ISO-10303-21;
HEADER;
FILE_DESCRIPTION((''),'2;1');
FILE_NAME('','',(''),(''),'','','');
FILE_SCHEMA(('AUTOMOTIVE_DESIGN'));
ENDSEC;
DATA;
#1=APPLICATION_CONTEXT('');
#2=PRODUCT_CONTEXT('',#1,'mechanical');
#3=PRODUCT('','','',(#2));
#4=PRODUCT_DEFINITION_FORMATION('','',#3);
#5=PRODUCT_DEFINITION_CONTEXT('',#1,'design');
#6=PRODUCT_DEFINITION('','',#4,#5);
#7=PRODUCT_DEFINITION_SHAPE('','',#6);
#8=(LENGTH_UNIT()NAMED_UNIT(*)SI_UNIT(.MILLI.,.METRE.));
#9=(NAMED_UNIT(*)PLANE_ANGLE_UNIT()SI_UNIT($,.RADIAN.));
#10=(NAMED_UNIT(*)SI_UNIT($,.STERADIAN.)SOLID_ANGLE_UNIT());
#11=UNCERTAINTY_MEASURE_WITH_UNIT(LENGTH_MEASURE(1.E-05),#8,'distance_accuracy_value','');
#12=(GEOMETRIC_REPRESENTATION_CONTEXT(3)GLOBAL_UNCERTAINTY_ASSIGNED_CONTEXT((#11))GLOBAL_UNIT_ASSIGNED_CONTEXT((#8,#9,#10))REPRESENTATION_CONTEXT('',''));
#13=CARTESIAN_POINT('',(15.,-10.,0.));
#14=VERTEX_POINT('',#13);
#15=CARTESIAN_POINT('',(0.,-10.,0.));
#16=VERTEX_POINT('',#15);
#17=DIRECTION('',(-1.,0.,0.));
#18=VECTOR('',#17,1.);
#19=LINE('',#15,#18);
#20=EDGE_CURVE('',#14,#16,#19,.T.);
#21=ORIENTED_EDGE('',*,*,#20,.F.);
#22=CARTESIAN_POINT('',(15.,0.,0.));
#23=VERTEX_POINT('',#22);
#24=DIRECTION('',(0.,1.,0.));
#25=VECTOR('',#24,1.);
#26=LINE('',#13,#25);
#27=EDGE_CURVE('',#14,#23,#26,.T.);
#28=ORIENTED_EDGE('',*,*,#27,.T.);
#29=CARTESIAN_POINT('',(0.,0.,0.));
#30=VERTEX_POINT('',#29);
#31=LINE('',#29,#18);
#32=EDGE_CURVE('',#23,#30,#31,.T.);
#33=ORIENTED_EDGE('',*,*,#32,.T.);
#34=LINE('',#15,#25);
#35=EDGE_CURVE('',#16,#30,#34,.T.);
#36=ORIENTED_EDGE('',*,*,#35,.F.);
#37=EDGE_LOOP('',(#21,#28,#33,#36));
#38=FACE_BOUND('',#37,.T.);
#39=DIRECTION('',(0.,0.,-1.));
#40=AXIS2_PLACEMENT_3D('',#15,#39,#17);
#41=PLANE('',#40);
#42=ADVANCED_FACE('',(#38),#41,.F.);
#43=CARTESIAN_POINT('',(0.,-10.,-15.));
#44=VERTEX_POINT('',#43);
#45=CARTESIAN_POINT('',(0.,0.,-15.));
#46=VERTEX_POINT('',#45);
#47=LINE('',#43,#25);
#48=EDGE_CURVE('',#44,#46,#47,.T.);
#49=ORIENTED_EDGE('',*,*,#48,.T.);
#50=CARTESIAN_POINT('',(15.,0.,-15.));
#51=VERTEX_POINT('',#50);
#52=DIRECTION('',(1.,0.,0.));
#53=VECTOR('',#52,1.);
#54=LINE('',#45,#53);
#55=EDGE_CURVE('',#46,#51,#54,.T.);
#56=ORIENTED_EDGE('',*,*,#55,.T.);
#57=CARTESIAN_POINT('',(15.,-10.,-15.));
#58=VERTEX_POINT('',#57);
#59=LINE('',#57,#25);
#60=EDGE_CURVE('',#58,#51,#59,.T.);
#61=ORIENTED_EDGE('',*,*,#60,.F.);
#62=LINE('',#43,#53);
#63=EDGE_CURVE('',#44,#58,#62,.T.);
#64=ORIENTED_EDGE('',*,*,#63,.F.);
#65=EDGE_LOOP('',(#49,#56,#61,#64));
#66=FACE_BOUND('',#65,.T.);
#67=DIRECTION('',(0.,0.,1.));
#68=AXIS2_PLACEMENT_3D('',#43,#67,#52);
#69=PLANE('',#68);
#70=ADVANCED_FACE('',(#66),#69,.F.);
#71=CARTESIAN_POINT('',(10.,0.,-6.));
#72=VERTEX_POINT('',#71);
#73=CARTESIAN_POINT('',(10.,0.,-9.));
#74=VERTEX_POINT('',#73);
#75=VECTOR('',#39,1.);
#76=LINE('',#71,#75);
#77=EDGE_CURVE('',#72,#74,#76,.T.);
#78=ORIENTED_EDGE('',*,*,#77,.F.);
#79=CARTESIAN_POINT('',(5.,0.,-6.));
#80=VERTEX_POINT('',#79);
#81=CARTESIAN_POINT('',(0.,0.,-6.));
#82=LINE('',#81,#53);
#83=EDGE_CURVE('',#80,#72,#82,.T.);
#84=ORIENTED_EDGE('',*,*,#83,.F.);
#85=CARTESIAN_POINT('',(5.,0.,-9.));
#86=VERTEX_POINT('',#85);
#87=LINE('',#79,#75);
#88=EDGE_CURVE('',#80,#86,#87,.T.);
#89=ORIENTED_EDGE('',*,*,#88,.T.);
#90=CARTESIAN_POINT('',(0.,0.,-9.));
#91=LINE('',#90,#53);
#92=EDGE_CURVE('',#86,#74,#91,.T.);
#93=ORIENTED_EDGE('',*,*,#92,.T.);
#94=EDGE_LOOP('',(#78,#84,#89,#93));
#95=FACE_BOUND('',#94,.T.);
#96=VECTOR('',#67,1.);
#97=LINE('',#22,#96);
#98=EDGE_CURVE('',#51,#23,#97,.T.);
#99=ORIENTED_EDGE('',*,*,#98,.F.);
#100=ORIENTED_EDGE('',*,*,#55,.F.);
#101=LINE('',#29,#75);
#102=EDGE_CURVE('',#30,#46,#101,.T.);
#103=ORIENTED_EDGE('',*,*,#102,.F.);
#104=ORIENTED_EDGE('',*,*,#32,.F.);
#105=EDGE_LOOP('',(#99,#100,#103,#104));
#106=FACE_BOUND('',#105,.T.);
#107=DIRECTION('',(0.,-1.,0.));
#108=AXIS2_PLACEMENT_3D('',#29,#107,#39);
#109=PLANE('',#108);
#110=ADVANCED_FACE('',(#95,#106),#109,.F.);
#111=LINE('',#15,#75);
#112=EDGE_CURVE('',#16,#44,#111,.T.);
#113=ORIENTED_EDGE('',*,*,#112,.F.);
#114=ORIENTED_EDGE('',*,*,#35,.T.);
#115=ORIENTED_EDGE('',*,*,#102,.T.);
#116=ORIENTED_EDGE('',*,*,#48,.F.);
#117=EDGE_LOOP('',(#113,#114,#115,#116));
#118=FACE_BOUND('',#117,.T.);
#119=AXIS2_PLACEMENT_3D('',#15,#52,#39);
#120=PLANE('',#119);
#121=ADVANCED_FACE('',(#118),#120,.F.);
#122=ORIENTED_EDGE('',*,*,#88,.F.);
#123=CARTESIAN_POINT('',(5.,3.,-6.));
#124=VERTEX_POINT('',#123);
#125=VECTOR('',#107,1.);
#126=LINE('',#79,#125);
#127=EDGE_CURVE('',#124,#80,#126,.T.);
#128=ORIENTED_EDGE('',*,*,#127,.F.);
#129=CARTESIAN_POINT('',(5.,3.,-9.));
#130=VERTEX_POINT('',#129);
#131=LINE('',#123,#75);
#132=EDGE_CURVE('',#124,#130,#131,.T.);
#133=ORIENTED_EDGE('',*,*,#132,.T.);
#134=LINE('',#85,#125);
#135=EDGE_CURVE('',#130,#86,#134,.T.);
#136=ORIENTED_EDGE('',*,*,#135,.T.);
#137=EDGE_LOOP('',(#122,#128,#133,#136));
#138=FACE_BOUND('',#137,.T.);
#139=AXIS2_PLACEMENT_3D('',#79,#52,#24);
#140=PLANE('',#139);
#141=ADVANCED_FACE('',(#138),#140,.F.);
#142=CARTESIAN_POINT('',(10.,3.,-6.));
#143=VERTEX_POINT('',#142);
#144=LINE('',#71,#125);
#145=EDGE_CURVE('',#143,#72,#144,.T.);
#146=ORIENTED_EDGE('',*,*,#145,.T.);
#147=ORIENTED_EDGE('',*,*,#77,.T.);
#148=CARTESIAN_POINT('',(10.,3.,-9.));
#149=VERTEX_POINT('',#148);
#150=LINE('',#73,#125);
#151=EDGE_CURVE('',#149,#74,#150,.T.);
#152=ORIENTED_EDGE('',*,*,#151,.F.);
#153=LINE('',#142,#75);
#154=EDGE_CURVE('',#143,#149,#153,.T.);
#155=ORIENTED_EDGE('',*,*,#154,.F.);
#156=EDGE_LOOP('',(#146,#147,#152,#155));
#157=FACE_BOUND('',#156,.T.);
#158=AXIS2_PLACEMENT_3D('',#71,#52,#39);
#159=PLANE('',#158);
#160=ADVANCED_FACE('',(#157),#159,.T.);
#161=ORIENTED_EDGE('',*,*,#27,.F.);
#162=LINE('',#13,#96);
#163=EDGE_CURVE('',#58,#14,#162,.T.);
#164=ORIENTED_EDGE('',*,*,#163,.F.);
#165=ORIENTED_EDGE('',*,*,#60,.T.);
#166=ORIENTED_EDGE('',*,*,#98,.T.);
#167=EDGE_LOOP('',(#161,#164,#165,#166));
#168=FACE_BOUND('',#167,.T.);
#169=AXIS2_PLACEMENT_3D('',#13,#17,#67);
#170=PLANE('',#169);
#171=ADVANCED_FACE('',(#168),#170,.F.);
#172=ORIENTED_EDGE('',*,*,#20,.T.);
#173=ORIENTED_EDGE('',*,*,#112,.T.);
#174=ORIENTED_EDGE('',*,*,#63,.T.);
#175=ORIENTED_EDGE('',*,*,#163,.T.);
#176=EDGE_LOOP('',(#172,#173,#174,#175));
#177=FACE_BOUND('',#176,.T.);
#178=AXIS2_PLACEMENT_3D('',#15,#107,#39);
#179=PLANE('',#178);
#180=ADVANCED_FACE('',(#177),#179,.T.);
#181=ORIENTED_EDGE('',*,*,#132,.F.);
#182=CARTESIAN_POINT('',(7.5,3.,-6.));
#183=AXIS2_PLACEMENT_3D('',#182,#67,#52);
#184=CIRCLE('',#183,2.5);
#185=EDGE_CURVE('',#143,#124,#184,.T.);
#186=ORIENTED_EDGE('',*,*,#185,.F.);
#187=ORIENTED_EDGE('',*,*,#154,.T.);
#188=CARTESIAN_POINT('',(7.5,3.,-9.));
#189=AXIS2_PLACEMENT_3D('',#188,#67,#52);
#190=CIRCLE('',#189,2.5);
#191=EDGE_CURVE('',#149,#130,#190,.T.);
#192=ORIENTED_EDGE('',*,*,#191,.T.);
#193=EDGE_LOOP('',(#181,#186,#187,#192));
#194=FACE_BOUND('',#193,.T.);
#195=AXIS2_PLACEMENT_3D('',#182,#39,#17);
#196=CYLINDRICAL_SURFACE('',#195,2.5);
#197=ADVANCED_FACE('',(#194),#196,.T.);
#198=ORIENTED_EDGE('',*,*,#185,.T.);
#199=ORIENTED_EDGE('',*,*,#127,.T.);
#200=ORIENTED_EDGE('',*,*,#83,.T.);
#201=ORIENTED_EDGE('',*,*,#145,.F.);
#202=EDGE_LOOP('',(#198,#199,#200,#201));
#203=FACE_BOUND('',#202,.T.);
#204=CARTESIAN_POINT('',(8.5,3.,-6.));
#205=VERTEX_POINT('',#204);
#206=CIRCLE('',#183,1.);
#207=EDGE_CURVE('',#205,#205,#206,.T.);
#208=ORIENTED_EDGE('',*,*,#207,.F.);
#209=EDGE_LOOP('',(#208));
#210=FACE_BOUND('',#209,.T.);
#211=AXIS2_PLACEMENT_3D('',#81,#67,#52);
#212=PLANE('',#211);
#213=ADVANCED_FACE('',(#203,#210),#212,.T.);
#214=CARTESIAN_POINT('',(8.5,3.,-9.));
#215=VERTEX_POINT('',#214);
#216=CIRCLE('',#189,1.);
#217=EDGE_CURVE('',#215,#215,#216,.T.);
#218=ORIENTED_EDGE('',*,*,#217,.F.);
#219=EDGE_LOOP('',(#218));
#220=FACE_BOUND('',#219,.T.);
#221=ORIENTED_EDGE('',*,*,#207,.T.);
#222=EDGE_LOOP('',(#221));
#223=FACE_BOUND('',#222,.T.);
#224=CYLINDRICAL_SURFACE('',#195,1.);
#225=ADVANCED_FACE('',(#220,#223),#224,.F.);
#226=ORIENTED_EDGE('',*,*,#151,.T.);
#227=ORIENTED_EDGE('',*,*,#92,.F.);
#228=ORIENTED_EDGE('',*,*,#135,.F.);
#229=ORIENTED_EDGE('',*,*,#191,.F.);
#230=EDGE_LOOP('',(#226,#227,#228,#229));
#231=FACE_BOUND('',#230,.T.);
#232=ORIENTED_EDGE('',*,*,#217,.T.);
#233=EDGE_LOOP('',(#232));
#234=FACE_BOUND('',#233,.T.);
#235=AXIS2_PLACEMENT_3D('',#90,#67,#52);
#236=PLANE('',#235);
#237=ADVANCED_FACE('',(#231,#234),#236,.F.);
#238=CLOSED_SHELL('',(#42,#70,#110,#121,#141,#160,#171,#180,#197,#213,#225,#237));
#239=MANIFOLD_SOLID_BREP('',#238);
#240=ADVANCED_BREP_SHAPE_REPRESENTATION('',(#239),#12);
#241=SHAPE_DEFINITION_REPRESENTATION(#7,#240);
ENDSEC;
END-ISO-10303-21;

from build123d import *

# Parameters (mm, degrees)
SKETCH1_W           = 15
SKETCH1_H           = 15
BOSS_EXTRUDE1_DEPTH = 10
SKETCH4_R           = 1
BOSS_EXTRUDE2_DEPTH = 1.5


with BuildPart() as part:
    # Sketch1 → Boss-Extrude1 (new body)
    with BuildSketch(Plane.XZ):
        with Locations((7.5, -7.5)):
            Rectangle(SKETCH1_W, SKETCH1_H)
    extrude(amount=BOSS_EXTRUDE1_DEPTH)

    # Sketch4 → Boss-Extrude2 (add, symmetric)
    with BuildSketch(Plane.XY.offset(-7.5)):
        with BuildLine():
            ThreePointArc((10, 3), (7.5, 5.5), (5, 3))
            Line((5, 3), (5, 0))
            Line((5, 0), (10, 0))
            Line((10, 0), (10, 3))
        make_face()
        with Locations((7.5, 3)):
            Circle(SKETCH4_R, mode=Mode.SUBTRACT)
    extrude(amount=BOSS_EXTRUDE2_DEPTH, both=True)


solid = part.part
